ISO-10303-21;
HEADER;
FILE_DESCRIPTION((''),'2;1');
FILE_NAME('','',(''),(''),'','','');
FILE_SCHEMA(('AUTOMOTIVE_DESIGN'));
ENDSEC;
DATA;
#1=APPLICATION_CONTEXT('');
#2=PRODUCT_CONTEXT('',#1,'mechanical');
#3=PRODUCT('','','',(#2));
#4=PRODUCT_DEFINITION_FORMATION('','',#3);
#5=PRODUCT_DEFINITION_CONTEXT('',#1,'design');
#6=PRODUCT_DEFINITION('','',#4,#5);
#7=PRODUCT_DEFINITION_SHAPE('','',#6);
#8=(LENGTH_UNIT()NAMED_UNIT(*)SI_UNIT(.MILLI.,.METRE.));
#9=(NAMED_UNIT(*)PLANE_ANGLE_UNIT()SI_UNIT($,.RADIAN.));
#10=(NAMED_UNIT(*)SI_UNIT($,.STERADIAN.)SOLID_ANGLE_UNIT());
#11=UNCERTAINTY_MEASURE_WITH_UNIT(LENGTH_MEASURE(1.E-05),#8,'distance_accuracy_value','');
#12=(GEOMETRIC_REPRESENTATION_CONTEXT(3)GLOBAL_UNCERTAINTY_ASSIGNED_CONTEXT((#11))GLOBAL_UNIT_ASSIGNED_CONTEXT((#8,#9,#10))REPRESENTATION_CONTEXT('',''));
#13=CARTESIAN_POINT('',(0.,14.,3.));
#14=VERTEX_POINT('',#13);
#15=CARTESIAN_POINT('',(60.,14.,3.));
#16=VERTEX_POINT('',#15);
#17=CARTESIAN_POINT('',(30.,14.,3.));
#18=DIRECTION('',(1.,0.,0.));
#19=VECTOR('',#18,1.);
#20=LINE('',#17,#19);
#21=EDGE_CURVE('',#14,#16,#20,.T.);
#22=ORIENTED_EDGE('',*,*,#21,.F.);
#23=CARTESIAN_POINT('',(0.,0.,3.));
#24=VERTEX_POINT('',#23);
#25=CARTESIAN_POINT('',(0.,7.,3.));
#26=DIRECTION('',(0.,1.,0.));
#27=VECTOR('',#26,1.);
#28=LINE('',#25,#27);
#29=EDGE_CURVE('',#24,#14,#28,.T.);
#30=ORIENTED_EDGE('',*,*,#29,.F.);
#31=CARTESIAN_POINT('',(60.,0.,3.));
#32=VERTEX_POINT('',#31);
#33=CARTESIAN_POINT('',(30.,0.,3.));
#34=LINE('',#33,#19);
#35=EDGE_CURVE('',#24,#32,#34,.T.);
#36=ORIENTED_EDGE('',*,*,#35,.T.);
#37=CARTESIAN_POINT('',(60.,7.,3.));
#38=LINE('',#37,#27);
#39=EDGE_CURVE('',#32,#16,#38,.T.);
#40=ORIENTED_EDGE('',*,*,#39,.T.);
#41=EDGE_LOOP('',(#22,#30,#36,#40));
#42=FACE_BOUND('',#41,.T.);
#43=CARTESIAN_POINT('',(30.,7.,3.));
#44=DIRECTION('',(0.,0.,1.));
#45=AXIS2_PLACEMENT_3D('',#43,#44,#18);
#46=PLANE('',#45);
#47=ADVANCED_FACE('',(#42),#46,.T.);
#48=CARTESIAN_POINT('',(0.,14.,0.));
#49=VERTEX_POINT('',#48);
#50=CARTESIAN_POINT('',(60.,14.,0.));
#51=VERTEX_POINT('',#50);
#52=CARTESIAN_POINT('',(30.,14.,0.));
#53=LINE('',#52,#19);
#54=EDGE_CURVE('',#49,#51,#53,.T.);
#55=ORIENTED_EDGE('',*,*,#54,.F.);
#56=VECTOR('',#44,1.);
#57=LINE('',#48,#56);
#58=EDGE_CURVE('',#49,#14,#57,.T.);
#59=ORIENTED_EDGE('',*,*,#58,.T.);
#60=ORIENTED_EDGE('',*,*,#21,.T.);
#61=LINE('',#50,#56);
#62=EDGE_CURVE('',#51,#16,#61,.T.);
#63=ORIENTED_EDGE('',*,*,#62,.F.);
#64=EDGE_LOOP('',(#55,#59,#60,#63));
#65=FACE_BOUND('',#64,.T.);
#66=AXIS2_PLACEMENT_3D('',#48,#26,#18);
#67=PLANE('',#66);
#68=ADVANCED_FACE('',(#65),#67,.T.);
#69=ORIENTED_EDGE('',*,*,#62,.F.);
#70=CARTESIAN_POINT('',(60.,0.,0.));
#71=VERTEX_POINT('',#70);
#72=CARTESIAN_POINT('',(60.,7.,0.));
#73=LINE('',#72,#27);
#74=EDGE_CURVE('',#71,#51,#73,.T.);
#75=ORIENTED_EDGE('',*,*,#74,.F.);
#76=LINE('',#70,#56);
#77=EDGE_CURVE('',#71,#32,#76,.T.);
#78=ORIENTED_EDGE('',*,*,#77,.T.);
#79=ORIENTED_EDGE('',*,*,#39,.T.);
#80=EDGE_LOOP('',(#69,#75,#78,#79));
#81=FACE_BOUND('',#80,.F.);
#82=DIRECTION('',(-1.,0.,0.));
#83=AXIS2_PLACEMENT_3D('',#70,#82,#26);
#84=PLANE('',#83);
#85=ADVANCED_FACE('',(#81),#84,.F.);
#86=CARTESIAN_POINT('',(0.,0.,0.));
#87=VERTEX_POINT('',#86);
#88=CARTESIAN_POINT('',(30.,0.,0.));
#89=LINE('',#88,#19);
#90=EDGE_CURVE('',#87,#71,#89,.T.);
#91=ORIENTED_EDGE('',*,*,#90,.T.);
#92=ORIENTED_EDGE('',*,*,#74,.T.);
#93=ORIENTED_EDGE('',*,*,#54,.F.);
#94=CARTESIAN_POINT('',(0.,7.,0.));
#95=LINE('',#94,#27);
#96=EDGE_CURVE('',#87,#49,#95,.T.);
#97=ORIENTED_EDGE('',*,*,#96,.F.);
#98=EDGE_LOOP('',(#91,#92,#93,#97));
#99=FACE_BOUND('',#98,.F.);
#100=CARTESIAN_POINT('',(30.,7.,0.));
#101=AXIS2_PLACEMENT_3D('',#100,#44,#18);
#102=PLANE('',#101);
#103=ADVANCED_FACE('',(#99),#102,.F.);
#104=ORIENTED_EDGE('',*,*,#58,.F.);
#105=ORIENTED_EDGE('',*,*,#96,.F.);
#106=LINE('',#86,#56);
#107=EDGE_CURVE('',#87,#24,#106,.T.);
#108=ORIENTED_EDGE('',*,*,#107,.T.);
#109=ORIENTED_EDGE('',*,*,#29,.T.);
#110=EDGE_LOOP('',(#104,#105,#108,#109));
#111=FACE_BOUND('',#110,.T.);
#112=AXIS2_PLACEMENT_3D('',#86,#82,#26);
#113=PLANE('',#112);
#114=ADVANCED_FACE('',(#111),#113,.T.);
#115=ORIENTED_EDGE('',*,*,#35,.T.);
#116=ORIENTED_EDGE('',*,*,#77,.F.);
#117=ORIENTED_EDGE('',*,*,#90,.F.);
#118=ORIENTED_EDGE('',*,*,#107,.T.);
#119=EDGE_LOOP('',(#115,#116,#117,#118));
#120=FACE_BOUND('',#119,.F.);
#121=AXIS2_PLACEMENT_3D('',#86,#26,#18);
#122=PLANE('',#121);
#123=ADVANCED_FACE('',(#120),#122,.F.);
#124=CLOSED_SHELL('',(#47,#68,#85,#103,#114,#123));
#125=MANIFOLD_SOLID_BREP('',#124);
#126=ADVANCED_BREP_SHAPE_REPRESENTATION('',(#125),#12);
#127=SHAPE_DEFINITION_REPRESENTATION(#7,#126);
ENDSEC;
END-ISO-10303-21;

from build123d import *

# Parameters (mm, degrees)
SKETCH_W  = 60
SKETCH_H  = 14
PAD_DEPTH = 3


with BuildPart() as part:
    # Sketch → Pad (new body)
    with BuildSketch(Plane.XY):
        with Locations((30, 7)):
            Rectangle(SKETCH_W, SKETCH_H)
    extrude(amount=PAD_DEPTH)


solid = part.part
